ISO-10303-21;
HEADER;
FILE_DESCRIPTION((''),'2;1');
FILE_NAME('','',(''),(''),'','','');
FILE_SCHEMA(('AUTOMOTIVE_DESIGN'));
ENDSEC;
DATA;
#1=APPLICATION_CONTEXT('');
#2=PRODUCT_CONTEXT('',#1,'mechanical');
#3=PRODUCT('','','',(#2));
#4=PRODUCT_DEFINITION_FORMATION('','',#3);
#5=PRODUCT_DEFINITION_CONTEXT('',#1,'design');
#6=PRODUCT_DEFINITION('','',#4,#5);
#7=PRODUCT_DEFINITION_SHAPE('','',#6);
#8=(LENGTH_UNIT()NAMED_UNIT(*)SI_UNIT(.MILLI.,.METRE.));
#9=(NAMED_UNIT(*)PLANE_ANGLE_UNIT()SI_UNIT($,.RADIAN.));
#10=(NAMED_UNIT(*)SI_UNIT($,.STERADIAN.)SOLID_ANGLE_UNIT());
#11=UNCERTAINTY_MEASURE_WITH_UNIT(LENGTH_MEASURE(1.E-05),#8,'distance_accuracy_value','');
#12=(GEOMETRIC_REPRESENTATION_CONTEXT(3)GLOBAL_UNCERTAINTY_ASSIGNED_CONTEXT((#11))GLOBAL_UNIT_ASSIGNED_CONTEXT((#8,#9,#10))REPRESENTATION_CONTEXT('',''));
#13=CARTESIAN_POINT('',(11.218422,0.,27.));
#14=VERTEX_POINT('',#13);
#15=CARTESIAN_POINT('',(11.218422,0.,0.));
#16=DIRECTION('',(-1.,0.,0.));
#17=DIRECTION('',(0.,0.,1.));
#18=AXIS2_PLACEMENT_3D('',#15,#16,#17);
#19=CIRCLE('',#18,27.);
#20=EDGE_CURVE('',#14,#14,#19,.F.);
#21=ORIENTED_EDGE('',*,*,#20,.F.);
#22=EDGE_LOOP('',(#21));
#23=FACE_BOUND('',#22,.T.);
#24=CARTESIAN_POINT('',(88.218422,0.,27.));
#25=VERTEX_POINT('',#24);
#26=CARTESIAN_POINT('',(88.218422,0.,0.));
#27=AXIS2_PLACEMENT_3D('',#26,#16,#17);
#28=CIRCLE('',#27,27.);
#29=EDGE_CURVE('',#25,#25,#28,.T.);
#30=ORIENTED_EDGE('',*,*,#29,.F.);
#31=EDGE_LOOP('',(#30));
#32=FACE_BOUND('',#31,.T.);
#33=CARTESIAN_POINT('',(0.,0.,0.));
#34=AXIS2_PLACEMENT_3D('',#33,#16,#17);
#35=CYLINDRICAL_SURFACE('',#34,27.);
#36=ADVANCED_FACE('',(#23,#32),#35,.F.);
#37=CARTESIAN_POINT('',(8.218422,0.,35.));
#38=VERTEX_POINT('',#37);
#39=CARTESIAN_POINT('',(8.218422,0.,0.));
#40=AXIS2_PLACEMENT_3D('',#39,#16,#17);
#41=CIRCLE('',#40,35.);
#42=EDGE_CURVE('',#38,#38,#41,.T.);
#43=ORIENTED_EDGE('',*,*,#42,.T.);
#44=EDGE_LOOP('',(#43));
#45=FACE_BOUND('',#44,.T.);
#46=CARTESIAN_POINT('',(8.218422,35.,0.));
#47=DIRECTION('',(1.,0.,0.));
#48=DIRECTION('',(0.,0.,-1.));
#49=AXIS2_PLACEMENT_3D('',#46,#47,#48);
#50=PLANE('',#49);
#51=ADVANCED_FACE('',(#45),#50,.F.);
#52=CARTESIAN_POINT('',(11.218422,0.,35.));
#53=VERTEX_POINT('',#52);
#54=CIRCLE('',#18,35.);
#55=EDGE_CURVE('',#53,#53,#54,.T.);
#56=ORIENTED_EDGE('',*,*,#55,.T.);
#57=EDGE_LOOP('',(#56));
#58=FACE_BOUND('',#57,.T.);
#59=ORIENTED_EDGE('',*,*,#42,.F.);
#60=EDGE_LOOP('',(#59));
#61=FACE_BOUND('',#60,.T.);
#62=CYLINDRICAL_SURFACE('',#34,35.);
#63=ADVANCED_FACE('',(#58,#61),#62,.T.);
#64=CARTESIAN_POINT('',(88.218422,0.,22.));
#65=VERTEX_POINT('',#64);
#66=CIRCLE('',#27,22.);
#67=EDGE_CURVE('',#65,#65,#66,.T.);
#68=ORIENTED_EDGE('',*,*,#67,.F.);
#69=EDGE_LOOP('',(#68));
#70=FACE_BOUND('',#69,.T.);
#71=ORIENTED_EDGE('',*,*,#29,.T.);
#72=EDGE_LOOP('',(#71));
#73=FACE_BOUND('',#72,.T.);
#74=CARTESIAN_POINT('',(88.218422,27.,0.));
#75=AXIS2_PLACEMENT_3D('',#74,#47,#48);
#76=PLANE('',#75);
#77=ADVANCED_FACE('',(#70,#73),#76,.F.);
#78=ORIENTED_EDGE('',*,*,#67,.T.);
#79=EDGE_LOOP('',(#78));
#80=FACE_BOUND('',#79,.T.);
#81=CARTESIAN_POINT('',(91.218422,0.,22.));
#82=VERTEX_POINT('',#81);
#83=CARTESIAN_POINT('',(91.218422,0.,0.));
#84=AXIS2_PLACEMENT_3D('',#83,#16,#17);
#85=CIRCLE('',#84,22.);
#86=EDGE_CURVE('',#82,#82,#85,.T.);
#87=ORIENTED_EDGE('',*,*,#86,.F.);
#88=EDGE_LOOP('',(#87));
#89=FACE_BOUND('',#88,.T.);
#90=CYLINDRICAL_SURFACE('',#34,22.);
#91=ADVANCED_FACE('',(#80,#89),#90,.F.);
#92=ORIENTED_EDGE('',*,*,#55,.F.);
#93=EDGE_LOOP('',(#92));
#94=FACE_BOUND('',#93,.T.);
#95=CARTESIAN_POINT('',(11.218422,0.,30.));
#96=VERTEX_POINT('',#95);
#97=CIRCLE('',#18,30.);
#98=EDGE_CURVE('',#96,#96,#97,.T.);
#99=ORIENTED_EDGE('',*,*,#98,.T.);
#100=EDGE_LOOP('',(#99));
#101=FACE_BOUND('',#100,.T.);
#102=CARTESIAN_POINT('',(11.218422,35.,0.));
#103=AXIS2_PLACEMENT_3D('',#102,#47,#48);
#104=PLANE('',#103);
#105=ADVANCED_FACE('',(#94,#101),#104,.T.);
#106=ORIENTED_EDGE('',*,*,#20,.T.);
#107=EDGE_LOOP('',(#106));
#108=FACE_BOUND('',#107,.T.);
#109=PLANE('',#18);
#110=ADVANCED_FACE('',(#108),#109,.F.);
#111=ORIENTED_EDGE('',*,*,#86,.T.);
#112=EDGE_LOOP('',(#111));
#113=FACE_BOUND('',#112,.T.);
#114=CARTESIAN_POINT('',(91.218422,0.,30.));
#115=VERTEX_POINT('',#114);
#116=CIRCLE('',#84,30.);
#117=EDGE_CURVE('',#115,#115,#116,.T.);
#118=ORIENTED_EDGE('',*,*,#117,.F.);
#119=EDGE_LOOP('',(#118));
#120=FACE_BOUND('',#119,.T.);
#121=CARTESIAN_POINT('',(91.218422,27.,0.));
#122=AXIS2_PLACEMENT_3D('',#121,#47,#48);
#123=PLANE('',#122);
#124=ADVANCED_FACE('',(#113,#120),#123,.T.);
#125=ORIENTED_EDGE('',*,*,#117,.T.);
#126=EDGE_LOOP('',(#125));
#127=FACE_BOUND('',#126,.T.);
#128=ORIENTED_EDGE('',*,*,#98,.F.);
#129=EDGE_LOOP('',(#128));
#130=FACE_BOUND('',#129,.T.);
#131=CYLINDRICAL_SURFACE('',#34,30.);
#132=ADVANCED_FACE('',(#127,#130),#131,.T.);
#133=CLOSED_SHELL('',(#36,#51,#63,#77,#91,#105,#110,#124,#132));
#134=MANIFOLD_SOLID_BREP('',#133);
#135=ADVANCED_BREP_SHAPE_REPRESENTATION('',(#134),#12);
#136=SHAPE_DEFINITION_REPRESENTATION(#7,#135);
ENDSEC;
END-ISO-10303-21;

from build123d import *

# Parameters (mm, degrees)
SKETCH2_R           = 27
BOSS_EXTRUDE1_DEPTH = 3


with BuildPart() as part:
    # Sketch1 → Revolve-Thin1 (revolve)
    with BuildSketch(Plane.XY):
        Polygon((8.218422341, 35), (8.218422341, 27), (88.218422341, 27), (88.218422341, 22), (91.218422341, 22), (91.218422341, 30), (11.218422341, 30), (11.218422341, 35), align=None)
    revolve(axis=Axis((0, 0, 0), (1, 0, 0)))

    # Sketch2 → Boss-Extrude1 (add)
    with BuildSketch(Plane.ZY.offset(-8.218422341)):
        Circle(SKETCH2_R)
    extrude(amount=-BOSS_EXTRUDE1_DEPTH)


solid = part.part
